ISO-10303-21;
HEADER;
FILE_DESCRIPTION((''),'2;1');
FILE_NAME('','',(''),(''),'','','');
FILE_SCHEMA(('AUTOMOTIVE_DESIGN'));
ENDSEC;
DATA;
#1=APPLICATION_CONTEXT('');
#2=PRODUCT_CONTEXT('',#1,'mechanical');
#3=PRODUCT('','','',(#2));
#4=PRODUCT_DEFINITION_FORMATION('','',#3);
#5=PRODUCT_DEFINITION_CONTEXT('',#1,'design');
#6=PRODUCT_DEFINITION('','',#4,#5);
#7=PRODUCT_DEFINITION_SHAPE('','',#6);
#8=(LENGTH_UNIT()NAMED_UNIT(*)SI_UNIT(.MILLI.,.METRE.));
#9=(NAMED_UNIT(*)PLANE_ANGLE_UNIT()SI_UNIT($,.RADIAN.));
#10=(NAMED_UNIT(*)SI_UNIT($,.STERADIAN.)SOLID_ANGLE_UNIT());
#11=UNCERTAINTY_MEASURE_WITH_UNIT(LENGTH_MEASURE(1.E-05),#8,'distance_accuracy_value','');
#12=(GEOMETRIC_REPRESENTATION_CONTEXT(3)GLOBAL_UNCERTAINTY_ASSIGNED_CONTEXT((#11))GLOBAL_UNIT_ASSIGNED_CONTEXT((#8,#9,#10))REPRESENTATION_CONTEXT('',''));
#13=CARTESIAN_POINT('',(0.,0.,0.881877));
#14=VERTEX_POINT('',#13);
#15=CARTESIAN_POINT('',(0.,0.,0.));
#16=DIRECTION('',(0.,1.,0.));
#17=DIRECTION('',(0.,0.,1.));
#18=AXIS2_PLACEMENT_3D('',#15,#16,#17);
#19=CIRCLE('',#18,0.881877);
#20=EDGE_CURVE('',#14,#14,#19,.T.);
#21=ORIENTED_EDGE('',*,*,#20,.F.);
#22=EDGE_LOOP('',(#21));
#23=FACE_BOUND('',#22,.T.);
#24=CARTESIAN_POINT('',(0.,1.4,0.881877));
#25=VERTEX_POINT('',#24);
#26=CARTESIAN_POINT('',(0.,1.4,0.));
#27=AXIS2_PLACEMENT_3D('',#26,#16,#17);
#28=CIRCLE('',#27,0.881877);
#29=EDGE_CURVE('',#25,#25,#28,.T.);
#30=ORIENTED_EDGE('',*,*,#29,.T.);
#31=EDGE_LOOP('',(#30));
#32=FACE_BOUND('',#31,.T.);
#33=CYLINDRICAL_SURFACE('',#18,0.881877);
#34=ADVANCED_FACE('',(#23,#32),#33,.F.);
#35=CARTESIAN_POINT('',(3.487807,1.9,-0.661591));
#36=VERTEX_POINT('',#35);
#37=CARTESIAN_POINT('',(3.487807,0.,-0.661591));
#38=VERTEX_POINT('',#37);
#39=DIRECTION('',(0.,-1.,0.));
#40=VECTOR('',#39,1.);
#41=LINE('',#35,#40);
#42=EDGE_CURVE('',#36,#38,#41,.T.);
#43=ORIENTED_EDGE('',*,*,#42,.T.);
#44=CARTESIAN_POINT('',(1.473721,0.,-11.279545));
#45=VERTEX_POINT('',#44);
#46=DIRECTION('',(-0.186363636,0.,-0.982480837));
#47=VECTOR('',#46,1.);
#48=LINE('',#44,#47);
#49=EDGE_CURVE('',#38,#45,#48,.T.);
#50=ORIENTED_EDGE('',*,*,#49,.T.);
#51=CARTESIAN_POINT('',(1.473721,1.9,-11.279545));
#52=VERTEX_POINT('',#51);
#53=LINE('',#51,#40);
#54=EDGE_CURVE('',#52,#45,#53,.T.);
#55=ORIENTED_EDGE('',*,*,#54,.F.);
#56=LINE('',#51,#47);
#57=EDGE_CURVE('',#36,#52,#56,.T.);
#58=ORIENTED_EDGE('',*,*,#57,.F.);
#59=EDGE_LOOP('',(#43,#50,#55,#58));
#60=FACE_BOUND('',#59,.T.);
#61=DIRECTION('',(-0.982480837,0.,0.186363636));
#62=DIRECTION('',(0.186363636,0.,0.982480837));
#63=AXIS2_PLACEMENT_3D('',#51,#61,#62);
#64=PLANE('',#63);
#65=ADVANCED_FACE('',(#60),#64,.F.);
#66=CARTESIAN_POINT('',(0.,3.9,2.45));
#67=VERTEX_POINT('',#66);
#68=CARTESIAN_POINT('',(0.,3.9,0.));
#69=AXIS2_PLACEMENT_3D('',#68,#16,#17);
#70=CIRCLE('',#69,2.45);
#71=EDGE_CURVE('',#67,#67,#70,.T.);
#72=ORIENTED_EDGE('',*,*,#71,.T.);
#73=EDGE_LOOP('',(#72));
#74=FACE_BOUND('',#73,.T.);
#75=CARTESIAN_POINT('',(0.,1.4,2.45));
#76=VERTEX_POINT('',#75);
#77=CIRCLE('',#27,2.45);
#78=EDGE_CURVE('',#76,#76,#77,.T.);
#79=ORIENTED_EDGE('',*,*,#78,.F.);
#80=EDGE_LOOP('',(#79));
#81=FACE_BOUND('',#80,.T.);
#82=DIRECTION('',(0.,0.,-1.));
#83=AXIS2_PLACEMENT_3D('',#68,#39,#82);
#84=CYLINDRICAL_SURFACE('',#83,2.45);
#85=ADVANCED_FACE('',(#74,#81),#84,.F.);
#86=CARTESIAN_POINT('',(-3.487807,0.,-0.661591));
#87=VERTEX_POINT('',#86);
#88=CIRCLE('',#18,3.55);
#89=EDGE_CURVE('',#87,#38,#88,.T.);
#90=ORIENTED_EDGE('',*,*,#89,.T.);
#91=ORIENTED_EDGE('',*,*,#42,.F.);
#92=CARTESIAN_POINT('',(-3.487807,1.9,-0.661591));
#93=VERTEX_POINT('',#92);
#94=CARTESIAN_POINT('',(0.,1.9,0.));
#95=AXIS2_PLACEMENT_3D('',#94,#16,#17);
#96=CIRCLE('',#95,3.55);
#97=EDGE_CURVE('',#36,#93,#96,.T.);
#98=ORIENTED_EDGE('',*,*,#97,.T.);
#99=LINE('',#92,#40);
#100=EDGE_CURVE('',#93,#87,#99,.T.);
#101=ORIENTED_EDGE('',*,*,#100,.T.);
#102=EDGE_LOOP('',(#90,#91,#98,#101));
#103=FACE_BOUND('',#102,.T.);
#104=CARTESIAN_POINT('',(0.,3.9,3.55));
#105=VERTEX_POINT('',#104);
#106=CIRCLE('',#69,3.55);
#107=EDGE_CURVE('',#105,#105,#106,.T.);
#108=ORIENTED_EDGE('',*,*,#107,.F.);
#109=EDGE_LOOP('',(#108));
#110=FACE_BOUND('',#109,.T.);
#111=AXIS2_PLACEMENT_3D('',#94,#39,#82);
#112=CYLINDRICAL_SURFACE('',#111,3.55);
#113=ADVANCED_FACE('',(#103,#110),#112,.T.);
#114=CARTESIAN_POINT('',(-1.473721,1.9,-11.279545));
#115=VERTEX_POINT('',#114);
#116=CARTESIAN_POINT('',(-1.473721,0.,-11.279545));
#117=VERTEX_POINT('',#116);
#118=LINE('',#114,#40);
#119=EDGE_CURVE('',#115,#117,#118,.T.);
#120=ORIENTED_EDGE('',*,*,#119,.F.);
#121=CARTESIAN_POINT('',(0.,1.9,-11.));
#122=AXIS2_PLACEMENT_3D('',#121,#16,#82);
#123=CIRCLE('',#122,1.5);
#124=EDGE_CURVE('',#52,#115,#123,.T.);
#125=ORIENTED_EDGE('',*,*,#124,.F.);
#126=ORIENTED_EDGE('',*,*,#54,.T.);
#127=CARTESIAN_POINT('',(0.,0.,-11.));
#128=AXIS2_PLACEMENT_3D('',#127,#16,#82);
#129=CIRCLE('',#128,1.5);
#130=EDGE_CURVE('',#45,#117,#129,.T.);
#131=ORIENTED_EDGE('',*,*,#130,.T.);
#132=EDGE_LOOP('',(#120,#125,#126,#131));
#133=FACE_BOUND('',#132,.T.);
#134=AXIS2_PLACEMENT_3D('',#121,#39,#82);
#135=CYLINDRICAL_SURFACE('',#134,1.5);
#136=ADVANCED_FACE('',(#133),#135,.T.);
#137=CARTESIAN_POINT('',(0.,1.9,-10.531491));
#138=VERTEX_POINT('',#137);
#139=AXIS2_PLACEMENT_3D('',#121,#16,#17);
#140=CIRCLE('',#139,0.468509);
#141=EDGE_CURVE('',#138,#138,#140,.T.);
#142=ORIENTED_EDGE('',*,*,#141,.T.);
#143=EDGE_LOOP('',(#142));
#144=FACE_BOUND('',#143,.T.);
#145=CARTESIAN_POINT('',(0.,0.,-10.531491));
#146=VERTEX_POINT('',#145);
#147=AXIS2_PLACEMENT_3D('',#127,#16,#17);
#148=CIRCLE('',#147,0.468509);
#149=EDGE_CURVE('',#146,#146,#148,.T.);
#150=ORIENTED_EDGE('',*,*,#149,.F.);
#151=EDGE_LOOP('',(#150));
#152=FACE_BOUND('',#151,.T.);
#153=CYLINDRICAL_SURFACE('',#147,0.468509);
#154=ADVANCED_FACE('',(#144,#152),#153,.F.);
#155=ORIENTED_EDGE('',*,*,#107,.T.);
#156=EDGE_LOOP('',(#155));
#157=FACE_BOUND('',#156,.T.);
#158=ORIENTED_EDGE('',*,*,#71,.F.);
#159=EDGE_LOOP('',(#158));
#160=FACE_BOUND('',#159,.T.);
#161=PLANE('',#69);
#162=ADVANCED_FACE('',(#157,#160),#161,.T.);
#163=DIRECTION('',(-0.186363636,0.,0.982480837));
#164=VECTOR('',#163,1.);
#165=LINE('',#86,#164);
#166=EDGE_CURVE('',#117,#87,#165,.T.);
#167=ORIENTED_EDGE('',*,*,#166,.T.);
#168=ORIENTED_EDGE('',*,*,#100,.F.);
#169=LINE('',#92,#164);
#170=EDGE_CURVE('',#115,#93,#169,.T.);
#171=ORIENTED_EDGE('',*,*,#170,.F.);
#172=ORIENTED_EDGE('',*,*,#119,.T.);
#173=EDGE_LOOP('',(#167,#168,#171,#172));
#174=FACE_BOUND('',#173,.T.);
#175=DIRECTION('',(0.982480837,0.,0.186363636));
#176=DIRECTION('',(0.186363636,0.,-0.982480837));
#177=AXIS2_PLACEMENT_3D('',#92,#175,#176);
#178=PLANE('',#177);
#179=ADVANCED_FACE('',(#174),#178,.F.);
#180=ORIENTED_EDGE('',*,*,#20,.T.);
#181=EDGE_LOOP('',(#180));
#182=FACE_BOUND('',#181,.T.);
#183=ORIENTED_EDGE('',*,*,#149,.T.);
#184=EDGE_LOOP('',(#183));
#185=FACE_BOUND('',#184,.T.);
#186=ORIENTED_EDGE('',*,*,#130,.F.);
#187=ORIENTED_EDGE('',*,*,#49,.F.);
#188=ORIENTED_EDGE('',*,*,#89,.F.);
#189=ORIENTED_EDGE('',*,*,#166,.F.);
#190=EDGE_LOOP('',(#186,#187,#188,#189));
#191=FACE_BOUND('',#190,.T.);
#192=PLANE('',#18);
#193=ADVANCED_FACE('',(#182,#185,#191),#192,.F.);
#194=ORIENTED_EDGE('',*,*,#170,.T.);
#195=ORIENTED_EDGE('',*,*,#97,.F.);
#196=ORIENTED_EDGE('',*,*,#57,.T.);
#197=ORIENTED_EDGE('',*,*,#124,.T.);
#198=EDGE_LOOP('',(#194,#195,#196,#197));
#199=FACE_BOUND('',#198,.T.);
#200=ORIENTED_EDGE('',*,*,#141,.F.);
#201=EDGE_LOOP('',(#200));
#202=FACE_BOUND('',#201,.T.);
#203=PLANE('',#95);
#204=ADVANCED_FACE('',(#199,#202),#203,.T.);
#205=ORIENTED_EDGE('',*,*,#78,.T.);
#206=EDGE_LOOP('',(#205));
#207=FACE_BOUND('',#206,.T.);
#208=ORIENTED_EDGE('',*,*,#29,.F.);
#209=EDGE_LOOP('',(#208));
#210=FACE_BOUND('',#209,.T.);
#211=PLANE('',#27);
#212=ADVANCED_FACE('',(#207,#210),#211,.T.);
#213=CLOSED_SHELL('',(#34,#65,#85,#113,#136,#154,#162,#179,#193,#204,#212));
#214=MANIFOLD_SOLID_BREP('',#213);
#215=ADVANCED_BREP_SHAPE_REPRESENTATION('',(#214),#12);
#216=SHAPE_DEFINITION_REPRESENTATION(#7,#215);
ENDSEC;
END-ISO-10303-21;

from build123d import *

# Parameters (mm, degrees)
BOSS_EXTRUDE1_DEPTH     = 1.9
SKETCH2_R               = 3.55
SKETCH2_R_2             = 2.45
BOSS_EXTRUDE2_DEPTH     = 2
CUT_EXTRUDE1_START      = -2.5
SKETCH3_R               = 2.45
CUT_EXTRUDE1_DEPTH      = 2.5
CUT_EXTRUDE2_DEPTH      = 14.232630124
CUT_EXTRUDE2_DEPTH_BACK = 14.232630124
SKETCH4_R               = 0.468509015
SKETCH4_R_2             = 0.881877008


with BuildPart() as part:
    # Sketch1 → Boss-Extrude1 (new body)
    with BuildSketch(Plane(origin=(0, 0, 0), x_dir=(1, 0, 0), z_dir=(0, 1, 0))):
        with BuildLine():
            Line((-3.487806971, 0.661590909), (-1.473721255, 11.279545455))
            ThreePointArc((-1.473721255, 11.279545455), (0, 12.5), (1.473721255, 11.279545455))
            Line((1.473721255, 11.279545455), (3.487806971, 0.661590909))
            ThreePointArc((3.487806971, 0.661590909), (0, -3.55), (-3.487806971, 0.661590909))
        make_face()
    extrude(amount=BOSS_EXTRUDE1_DEPTH)

    # Sketch2 → Boss-Extrude2 (add)
    with BuildSketch(Plane(origin=(0, 1.9, 0), x_dir=(1, 0, 0), z_dir=(0, 1, 0))):
        with Locations(Location((0, 0, 0), (0, 0, 10.740645756))):
            Circle(SKETCH2_R)
        with Locations(Location((0, 0, 0), (0, 0, 270))):
            Circle(SKETCH2_R_2, mode=Mode.SUBTRACT)
    extrude(amount=BOSS_EXTRUDE2_DEPTH)

    # Sketch3 → Cut-Extrude1 (cut)
    with BuildSketch(Plane(origin=(0, 3.9, 0), x_dir=(1, 0, 0), z_dir=(0, 1, 0)).offset(CUT_EXTRUDE1_START)):
        with Locations(Location((0, 0, 0), (0, 0, 270))):
            Circle(SKETCH3_R)
    extrude(amount=CUT_EXTRUDE1_DEPTH, mode=Mode.SUBTRACT)

    # Sketch4 → Cut-Extrude2 (cut, two sides: drawn at the far end of the back side and taken through both)
    with BuildSketch(Plane(origin=(0, 1.4, 0), x_dir=(1, 0, 0), z_dir=(0, 1, 0)).offset(-CUT_EXTRUDE2_DEPTH_BACK)):
        with Locations(Location((0, 11, 0), (0, 0, 270))):
            Circle(SKETCH4_R)
        with Locations(Location((0, 0, 0), (0, 0, 270))):
            Circle(SKETCH4_R_2)
    extrude(amount=CUT_EXTRUDE2_DEPTH + CUT_EXTRUDE2_DEPTH_BACK, mode=Mode.SUBTRACT)


solid = part.part
